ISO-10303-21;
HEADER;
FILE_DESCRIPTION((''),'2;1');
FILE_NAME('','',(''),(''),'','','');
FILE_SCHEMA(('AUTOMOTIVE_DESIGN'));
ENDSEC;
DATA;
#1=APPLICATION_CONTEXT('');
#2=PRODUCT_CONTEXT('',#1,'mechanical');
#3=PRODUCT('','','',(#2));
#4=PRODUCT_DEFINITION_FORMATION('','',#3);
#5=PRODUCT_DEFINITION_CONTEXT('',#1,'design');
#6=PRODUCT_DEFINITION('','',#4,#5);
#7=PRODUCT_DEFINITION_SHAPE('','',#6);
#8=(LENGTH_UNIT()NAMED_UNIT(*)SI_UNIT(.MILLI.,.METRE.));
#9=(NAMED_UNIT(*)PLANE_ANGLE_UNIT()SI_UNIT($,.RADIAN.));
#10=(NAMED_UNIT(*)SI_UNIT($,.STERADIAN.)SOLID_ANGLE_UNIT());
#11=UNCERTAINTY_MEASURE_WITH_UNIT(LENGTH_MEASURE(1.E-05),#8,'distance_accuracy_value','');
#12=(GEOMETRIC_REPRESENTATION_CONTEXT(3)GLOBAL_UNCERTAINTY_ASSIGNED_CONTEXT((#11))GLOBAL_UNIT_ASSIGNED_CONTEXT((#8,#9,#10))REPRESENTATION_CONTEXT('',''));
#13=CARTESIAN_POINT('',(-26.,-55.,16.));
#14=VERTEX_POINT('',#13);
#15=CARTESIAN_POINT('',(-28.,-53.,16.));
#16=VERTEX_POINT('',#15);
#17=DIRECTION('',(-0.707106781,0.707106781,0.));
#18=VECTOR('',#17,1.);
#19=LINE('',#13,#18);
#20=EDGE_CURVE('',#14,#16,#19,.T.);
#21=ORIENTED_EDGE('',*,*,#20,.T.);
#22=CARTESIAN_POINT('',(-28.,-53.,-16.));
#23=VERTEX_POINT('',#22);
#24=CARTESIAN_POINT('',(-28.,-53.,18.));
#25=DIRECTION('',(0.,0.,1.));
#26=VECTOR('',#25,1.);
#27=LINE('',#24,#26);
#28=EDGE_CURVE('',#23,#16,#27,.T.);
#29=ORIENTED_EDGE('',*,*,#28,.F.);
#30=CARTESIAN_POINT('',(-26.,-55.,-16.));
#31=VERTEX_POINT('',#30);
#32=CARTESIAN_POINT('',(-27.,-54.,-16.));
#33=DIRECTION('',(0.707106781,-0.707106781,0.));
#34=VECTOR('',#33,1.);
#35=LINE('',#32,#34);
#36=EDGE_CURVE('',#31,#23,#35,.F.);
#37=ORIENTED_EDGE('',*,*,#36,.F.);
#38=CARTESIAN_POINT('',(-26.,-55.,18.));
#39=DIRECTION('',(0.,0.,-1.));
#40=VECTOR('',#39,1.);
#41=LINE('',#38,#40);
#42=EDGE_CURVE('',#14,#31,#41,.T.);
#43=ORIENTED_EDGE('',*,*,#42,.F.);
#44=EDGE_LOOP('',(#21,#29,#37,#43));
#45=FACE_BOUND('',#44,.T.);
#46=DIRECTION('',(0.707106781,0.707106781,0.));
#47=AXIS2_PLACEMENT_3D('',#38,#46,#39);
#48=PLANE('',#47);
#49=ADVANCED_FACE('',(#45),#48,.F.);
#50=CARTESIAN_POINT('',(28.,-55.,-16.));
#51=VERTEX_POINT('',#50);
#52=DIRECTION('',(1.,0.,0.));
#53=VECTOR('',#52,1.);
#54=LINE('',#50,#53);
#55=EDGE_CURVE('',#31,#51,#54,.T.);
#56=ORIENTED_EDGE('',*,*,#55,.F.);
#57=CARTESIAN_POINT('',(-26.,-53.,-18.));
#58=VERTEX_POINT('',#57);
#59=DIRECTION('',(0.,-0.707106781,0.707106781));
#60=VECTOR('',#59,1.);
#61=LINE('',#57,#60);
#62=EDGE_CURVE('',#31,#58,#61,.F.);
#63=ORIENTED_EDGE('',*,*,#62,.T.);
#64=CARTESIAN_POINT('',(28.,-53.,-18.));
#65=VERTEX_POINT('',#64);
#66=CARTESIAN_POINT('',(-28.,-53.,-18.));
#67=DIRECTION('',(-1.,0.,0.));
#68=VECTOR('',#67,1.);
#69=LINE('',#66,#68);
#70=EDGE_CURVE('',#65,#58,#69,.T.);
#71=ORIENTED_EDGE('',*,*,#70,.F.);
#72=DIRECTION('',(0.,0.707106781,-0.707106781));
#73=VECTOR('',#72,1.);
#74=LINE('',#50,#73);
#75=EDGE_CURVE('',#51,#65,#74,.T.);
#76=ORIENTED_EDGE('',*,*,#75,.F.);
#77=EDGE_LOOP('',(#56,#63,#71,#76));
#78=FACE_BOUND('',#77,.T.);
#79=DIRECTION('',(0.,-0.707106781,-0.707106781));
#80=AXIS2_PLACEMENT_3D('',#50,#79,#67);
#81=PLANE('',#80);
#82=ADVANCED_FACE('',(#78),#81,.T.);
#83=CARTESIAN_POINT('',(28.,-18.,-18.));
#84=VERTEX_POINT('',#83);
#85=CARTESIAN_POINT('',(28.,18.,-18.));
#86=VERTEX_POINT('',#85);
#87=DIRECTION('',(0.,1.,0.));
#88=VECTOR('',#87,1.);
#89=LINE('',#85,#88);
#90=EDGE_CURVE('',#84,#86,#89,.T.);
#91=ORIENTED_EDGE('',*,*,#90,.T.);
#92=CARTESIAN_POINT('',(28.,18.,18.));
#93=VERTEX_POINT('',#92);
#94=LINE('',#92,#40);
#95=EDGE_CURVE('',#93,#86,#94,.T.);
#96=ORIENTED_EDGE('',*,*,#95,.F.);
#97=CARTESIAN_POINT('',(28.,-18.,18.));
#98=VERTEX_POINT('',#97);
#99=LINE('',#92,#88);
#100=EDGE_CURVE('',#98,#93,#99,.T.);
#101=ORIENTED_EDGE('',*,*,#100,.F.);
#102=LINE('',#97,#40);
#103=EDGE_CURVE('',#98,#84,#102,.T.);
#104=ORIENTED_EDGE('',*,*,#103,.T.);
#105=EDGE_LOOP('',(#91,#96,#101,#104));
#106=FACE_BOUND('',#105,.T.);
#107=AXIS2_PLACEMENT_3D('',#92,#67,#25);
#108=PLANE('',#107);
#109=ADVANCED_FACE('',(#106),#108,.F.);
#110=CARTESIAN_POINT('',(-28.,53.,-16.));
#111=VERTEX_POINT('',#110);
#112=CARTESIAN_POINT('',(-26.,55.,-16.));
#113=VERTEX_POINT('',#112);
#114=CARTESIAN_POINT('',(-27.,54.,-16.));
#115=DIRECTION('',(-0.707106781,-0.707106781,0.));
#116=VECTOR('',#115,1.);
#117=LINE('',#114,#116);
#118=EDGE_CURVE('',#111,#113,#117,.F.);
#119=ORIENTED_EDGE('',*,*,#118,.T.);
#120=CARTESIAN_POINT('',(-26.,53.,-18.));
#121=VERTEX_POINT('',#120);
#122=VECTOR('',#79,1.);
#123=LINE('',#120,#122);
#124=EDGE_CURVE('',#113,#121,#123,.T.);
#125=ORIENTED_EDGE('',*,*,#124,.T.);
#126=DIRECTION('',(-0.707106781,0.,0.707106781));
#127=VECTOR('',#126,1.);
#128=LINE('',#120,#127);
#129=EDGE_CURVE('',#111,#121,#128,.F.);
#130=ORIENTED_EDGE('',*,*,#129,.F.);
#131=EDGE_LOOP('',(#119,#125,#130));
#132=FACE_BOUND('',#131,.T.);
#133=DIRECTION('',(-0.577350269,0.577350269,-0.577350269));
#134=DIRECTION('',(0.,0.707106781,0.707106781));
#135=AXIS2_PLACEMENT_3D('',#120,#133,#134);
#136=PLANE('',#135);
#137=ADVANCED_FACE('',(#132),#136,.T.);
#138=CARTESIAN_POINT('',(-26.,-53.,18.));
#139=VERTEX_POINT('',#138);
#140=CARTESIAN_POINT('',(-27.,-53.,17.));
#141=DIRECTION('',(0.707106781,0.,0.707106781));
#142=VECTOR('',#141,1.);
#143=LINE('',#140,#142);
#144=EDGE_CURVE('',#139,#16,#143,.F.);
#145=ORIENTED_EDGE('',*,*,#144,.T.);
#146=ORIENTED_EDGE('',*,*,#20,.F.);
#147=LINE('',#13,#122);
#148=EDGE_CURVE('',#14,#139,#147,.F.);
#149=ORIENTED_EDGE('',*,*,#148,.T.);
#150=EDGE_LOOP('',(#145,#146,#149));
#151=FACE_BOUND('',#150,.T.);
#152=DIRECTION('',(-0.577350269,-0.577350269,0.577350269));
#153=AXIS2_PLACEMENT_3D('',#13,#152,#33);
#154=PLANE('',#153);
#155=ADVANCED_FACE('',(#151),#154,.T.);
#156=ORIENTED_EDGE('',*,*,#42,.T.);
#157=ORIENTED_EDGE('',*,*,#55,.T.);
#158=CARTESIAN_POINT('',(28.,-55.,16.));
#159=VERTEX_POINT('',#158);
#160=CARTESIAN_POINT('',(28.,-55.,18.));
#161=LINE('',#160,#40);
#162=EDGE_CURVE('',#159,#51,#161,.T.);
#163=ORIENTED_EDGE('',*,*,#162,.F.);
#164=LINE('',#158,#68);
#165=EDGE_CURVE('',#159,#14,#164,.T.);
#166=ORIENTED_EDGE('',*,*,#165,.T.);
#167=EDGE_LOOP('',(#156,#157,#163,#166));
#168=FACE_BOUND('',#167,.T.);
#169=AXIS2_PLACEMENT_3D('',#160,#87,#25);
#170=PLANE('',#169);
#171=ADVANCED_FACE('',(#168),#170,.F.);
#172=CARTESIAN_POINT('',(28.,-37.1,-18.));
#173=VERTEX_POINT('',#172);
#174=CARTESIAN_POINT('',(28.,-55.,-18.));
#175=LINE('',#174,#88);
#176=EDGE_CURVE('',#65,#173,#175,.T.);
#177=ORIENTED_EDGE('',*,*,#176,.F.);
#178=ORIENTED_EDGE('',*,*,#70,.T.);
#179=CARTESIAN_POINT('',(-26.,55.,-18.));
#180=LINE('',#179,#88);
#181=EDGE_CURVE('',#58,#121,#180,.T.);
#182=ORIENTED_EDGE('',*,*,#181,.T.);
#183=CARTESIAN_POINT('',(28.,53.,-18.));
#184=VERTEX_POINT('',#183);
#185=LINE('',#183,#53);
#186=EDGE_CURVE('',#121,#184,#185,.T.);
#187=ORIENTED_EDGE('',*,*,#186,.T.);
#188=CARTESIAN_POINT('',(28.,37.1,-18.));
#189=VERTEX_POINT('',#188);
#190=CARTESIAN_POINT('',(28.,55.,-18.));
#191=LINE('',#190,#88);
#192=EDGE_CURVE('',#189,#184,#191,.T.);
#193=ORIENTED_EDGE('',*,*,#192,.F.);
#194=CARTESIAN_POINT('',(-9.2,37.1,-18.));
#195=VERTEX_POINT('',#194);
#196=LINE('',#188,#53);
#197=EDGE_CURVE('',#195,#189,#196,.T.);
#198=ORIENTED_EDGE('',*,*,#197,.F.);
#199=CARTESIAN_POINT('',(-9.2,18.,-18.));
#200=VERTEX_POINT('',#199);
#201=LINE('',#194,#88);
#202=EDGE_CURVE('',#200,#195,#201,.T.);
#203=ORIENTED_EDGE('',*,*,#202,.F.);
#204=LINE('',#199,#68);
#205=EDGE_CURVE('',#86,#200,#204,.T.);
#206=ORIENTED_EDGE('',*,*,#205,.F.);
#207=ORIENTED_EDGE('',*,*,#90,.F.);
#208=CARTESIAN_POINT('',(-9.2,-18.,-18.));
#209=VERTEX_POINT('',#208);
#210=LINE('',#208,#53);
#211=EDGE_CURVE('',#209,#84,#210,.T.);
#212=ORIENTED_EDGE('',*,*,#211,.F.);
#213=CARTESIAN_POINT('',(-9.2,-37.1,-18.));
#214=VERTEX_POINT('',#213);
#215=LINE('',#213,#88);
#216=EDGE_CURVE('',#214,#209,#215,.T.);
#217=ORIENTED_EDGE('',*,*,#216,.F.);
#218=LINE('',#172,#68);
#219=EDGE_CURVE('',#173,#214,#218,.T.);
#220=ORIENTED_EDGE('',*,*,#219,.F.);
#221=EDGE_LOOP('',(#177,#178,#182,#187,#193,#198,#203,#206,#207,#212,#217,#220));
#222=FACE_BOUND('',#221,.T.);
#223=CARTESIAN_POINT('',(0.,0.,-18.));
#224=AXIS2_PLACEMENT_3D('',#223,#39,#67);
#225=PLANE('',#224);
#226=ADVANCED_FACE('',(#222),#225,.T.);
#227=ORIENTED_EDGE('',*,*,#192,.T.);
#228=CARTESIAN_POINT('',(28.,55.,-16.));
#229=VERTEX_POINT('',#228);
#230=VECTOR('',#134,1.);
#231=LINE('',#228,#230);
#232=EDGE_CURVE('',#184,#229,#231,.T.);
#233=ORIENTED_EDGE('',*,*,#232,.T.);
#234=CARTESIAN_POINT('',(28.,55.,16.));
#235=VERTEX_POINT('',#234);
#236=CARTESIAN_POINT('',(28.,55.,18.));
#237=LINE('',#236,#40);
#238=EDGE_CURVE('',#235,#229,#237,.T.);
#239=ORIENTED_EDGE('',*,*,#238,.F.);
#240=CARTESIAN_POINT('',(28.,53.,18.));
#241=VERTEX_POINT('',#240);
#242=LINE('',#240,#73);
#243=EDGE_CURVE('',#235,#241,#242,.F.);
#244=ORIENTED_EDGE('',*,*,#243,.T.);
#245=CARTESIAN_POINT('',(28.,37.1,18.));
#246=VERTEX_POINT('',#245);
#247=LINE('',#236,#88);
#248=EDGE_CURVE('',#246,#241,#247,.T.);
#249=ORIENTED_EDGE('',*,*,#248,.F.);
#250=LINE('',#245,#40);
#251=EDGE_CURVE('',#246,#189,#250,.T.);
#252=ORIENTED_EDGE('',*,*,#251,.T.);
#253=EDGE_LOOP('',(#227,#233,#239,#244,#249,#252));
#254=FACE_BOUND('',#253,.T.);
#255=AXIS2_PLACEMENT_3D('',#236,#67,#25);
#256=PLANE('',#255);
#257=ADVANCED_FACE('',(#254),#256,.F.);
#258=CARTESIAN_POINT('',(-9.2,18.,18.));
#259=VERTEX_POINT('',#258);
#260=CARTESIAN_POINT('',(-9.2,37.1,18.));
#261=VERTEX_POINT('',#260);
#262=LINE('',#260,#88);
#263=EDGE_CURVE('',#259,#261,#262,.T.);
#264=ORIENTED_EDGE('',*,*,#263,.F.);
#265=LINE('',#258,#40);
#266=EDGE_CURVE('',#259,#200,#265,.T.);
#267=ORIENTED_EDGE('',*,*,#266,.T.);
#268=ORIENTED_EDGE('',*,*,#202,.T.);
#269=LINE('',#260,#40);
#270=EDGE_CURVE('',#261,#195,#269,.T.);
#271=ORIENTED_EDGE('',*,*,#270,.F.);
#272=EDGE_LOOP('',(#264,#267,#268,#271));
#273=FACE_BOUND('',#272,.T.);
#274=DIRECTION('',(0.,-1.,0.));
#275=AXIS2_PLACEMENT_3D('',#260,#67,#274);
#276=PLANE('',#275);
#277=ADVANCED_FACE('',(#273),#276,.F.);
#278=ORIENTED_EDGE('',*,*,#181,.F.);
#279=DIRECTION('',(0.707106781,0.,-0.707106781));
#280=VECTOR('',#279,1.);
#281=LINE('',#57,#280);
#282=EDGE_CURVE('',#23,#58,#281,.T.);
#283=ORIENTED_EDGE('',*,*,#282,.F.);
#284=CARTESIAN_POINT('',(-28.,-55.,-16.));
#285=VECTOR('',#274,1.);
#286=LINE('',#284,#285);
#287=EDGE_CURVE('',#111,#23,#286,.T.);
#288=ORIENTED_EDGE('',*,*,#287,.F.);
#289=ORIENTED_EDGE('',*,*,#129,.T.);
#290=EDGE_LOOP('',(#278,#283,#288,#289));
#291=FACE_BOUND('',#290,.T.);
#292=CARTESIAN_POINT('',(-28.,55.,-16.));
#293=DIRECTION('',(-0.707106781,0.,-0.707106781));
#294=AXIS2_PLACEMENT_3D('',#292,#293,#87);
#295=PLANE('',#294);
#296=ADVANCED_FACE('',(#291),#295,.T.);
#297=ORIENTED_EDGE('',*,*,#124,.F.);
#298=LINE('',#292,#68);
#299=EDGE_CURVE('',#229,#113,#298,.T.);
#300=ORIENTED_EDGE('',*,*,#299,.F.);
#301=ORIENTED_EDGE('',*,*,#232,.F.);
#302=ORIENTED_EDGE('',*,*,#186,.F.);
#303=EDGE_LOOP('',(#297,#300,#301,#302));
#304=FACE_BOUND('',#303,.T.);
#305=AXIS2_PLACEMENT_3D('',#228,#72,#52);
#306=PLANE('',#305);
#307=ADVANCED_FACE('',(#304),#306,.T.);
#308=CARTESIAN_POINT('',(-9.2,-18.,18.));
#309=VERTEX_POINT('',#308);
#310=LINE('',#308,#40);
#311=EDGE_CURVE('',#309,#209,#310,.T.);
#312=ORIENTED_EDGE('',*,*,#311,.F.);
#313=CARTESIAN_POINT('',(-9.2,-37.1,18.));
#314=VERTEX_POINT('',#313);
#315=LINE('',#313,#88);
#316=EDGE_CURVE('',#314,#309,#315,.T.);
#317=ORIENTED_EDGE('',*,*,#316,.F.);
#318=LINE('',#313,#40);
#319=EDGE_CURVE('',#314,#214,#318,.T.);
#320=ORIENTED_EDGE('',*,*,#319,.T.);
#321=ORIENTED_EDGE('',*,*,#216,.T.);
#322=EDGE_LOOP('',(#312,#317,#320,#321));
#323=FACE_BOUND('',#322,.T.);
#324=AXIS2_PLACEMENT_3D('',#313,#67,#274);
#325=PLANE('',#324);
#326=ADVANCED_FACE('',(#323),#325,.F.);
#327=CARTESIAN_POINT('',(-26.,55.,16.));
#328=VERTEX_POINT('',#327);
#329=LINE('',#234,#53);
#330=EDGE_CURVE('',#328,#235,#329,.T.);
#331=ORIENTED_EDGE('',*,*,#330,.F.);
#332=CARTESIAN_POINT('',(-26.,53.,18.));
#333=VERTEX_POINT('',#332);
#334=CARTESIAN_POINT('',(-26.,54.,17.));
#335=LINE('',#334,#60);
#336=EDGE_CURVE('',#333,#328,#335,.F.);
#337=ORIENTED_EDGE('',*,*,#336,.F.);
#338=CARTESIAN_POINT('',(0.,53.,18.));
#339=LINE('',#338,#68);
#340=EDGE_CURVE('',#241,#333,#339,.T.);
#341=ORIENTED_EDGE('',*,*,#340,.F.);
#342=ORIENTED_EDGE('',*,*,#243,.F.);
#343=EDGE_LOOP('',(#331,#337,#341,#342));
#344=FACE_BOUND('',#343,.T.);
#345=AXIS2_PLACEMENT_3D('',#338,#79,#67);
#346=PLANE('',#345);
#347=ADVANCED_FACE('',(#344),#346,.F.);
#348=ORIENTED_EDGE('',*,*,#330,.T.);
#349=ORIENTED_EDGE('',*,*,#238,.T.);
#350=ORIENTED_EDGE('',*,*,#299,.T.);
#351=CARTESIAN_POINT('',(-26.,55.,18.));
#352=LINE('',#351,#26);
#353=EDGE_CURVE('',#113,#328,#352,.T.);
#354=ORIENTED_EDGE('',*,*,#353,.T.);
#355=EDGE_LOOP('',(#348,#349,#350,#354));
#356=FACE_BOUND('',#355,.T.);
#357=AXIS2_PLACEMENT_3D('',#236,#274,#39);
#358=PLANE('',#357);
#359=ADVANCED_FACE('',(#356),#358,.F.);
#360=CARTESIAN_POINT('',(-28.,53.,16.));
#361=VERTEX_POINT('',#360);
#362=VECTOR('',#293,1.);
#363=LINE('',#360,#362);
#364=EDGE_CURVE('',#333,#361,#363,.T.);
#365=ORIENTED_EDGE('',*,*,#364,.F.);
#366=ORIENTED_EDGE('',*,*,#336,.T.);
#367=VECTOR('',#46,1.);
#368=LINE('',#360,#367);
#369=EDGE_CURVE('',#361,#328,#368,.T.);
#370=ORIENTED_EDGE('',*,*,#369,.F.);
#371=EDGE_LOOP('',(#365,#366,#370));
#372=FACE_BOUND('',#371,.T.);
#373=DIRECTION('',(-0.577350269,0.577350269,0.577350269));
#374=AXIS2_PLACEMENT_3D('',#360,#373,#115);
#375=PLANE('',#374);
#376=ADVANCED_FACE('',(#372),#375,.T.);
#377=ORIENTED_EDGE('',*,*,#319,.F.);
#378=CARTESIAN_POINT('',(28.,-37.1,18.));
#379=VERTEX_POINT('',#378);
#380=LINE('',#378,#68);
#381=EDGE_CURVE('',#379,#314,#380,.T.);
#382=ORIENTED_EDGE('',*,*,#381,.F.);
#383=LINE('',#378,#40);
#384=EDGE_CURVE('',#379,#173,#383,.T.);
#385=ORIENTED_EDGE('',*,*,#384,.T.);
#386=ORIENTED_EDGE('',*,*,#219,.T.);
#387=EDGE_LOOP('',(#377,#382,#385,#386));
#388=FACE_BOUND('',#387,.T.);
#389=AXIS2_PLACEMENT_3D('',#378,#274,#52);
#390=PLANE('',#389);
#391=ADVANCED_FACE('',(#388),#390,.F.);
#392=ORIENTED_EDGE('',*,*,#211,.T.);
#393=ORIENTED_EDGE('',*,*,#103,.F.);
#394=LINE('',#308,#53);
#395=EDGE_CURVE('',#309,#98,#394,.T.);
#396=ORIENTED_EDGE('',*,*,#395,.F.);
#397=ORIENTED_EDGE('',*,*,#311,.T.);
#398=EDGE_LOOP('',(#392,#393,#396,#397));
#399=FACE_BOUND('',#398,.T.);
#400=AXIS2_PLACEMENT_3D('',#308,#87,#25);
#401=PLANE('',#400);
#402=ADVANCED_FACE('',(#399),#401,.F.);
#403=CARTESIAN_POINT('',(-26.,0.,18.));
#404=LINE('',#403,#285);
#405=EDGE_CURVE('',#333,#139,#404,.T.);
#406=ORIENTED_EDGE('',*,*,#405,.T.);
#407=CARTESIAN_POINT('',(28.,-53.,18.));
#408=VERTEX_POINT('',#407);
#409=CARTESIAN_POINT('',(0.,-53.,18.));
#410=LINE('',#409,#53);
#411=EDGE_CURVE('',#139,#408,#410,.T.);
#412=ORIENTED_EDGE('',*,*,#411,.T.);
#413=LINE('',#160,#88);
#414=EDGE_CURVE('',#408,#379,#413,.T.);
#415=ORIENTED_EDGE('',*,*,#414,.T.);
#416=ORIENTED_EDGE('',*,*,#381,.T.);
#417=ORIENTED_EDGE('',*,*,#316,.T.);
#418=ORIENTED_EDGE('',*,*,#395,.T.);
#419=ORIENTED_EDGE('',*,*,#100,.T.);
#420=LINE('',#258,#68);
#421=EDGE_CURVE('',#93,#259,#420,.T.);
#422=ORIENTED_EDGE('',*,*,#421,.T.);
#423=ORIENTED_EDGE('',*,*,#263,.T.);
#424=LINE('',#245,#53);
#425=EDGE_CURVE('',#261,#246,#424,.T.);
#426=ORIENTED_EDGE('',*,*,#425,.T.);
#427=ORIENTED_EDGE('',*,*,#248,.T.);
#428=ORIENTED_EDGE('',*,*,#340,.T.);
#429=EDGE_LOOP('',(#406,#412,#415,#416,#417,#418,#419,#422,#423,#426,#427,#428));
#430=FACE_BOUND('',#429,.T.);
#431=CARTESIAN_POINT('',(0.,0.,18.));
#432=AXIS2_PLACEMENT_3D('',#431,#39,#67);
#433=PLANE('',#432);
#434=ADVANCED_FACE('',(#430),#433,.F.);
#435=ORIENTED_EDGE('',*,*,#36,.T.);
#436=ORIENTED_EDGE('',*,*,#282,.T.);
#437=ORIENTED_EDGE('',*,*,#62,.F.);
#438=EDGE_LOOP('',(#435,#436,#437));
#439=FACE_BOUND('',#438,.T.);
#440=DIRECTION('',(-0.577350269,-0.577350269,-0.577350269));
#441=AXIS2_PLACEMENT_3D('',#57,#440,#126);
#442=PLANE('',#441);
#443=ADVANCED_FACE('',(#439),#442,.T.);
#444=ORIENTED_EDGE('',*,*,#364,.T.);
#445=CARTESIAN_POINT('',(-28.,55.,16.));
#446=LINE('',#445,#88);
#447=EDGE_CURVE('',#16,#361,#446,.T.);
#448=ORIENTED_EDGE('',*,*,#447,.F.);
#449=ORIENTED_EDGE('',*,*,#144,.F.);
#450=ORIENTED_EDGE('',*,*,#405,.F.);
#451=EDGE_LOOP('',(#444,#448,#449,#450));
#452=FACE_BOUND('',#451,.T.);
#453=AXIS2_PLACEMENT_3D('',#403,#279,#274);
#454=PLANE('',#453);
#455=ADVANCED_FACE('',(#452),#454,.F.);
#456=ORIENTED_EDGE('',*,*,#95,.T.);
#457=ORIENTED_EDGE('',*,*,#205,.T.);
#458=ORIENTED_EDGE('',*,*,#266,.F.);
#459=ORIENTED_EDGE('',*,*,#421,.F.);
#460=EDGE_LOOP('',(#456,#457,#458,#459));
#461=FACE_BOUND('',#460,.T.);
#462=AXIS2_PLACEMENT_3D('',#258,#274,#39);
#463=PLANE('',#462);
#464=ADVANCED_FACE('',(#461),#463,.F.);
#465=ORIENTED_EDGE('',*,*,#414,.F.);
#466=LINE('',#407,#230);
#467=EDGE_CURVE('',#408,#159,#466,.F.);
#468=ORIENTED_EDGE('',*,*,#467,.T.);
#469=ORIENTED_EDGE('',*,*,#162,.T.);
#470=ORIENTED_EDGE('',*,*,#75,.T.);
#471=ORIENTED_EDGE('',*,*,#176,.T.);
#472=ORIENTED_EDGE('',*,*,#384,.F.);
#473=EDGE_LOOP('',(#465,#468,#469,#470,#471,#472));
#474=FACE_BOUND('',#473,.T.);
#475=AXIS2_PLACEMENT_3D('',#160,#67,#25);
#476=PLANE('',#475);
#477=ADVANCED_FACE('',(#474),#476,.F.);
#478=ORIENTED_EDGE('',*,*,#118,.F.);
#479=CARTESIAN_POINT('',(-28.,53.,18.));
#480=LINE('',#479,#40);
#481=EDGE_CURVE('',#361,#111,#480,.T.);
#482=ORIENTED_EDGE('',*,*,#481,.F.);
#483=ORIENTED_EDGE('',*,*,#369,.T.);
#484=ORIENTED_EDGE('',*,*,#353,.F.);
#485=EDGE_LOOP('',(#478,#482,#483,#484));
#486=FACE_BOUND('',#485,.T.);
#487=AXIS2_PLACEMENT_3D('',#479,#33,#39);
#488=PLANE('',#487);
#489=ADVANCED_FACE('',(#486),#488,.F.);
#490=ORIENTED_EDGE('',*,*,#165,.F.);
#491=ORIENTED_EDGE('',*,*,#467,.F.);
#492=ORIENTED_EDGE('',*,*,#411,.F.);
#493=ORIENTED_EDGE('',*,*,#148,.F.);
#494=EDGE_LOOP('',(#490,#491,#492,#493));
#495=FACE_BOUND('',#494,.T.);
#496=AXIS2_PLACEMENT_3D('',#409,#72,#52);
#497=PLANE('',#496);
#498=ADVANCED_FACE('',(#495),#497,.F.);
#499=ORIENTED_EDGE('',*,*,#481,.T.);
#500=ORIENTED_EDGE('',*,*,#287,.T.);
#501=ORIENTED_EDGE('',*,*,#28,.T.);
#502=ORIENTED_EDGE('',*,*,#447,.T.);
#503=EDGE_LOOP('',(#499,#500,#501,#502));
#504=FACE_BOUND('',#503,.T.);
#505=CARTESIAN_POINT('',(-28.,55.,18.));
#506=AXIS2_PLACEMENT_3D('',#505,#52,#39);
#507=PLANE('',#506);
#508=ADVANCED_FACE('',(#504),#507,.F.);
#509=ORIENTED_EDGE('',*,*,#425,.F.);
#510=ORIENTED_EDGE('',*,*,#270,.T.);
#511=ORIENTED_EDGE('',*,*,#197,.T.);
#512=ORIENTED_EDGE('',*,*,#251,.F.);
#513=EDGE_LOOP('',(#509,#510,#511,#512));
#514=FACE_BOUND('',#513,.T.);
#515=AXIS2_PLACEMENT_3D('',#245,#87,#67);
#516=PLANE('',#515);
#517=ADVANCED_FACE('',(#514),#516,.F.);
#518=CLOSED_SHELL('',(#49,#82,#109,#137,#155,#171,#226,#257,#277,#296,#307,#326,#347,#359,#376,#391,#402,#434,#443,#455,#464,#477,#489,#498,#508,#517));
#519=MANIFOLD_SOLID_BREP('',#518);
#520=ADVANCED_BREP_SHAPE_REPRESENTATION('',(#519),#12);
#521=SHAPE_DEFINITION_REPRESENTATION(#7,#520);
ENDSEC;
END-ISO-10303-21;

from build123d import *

# Parameters (mm, degrees)
BOSS_EXTRUDE1_DEPTH = 18
CHAMFER1_SIZE       = 2


with BuildPart() as part:
    # Sketch1 → Boss-Extrude1 (new, symmetric)
    with BuildSketch(Plane.XY):
        Polygon((28, 55), (-28, 55), (-28, -55), (28, -55), (28, -37.1), (-9.2, -37.1), (-9.2, -18), (28, -18), (28, 18), (-9.2, 18), (-9.2, 37.1), (28, 37.1), align=None)
    extrude(amount=BOSS_EXTRUDE1_DEPTH, both=True)

    # Chamfer1
    chamfer1_edges = [part.edges().sort_by_distance(p)[0] for p in [
        (-28, 0, 18),
        (0, -55, -18),
        (-28, 0, -18),
        (0, 55, -18),
        (0, -55, 18),
        (-28, -55, 0),
        (-28, 55, 0),
        (0, 55, 18),
    ]]
    chamfer(chamfer1_edges, length=CHAMFER1_SIZE)


solid = part.part
